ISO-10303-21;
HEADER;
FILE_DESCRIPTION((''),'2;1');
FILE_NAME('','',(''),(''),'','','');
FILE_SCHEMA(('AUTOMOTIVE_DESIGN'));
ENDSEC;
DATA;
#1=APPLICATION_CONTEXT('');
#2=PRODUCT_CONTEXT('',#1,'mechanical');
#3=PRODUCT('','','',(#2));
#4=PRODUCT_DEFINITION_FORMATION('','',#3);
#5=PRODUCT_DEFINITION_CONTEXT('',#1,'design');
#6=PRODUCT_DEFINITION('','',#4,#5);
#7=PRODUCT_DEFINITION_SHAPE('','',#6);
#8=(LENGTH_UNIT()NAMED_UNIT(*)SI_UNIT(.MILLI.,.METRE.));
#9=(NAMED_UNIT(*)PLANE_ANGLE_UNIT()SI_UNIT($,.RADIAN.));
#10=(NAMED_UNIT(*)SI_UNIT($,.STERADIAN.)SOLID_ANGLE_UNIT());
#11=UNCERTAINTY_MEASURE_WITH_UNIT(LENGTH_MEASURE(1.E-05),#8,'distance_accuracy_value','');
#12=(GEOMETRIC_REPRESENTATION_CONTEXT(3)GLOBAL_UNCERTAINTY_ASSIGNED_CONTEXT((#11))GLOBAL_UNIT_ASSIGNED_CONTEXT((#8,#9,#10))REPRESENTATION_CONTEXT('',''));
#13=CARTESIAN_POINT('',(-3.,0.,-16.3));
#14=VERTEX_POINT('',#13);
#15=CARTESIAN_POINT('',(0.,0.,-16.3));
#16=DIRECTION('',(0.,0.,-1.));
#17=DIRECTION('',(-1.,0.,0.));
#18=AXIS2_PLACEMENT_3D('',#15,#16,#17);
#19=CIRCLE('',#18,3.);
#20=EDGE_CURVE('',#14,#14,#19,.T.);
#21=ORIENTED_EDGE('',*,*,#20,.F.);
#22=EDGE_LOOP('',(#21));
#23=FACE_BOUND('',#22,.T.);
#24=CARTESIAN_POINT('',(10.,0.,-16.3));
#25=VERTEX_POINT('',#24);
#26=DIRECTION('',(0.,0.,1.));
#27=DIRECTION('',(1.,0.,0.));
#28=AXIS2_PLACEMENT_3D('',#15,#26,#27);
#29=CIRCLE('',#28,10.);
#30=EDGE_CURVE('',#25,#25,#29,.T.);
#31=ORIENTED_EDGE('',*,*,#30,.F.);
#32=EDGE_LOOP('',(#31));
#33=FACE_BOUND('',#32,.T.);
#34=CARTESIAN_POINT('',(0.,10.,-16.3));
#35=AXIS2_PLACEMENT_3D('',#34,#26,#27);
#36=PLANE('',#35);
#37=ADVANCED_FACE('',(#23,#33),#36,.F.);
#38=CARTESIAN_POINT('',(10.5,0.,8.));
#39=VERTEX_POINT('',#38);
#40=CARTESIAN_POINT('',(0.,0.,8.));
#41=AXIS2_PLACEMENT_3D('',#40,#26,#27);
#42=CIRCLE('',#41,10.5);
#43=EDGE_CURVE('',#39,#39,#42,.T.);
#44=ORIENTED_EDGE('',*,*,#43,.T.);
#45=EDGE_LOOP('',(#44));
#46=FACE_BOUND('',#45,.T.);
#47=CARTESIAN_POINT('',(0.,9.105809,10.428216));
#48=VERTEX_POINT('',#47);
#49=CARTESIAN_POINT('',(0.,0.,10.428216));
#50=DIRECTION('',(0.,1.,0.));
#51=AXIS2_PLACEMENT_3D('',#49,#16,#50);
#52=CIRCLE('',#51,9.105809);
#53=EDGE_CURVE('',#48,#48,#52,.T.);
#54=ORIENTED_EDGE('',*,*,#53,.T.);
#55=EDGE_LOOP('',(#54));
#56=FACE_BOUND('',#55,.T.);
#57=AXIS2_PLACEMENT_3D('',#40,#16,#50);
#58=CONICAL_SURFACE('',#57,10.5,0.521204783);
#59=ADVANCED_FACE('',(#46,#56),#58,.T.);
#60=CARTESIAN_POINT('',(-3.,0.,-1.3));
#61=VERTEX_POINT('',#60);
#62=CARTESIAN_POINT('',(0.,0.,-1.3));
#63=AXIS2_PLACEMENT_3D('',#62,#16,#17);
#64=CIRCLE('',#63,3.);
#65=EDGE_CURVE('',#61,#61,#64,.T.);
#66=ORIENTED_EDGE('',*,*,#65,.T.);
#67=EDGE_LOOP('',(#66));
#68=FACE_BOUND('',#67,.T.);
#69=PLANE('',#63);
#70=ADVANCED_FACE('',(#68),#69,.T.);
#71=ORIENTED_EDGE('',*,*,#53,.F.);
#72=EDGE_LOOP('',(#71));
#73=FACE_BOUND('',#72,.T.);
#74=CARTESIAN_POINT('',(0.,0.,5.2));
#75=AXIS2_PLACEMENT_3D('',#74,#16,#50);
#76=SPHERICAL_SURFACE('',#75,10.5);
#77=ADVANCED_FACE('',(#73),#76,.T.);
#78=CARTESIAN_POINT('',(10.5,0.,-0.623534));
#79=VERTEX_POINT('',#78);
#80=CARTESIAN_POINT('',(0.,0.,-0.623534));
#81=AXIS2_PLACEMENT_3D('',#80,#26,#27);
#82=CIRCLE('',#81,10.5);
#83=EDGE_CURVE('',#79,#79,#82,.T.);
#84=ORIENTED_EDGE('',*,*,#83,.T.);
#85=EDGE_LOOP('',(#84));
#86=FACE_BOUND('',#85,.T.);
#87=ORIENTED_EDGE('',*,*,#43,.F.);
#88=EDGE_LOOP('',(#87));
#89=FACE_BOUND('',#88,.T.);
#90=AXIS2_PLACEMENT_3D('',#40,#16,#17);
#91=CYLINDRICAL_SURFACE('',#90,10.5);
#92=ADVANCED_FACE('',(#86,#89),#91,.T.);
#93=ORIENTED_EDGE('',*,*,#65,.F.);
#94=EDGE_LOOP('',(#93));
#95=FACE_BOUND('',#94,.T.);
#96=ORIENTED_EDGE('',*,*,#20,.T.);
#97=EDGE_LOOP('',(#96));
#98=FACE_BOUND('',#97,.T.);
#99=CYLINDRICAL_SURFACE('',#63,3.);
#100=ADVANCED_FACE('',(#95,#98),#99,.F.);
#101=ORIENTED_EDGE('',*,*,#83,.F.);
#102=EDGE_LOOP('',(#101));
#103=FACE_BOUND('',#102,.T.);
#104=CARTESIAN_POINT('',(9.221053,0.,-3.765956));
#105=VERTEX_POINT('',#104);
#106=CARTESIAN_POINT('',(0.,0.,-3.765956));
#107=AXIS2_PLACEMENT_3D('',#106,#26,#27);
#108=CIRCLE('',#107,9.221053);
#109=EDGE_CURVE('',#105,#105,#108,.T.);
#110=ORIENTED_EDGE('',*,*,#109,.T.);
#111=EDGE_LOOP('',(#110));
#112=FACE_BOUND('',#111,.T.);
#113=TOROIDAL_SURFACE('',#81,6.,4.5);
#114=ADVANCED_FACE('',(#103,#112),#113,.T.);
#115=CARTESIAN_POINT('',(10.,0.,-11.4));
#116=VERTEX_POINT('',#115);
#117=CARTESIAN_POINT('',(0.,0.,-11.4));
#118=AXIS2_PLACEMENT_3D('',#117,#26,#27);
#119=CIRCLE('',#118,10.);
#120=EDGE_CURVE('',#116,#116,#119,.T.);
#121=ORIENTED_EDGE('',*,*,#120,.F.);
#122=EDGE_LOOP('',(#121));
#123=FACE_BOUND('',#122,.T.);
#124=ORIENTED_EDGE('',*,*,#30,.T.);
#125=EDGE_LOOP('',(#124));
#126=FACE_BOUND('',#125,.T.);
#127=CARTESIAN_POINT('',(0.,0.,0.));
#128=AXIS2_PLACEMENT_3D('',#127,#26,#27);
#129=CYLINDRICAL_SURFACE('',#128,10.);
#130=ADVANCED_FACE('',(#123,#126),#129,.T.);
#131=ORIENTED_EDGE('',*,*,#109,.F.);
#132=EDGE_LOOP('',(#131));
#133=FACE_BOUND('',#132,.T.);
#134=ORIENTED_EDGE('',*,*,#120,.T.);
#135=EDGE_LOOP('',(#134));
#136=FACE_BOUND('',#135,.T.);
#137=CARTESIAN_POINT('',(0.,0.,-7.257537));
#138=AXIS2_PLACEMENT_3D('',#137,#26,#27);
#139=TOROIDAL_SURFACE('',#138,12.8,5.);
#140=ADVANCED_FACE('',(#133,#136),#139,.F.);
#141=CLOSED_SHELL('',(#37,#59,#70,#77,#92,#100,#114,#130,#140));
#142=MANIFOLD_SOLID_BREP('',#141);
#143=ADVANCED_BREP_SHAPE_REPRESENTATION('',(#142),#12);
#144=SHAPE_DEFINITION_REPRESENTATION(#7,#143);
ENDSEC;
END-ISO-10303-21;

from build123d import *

# Parameters (mm, degrees)
CROQUIS1_R              = 10.5
SALIENTE_EXTRUIR1_DEPTH = 8
CROQUIS5_R              = 3
CORTAR_EXTRUIR1_DEPTH   = 15


with BuildPart() as part:
    # Croquis1 → Saliente-Extruir1 (new body)
    with BuildSketch(Plane.XY):
        Circle(CROQUIS1_R)
    extrude(amount=SALIENTE_EXTRUIR1_DEPTH)

    # Croquis3 → Revolución1 (revolve)
    with BuildSketch(Plane(origin=(0, 0, 0), x_dir=(0, 0, -1), z_dir=(1, 0, 0))):
        with BuildLine():
            Line((-8, 10.5), (-10.428215768, 9.105809129))
            ThreePointArc((-10.428215768, 9.105809129), (-14.286975998, 5.260880841), (-15.7, 0))
            Line((-15.7, 0), (-8, 0))
            Line((-8, 0), (-8, 10.5))
        make_face()
    revolve(axis=Axis((0, 0, 8), (0, 0, 1)))

    # Croquis4 → Revolución2 (revolve)
    with BuildSketch(Plane(origin=(0, 0, 0), x_dir=(0, 0, -1), z_dir=(1, 0, 0))):
        with BuildLine():
            Line((0, 0), (0, 10.5))
            Line((0, 10.5), (0.623533648, 10.5))
            ThreePointArc((0.623533648, 10.5), (2.319891977, 10.168017325), (3.765956272, 9.221052632))
            ThreePointArc((3.765956272, 9.221052632), (7.765081748, 7.825826873), (11.4, 10))
            Line((11.4, 10), (16.3, 10))
            Line((16.3, 10), (16.3, 0))
            Line((16.3, 0), (0, 0))
        make_face()
    revolve(axis=Axis((0, 0, 0), (0, 0, -1)))

    # Croquis5 → Cortar-Extruir1 (cut)
    with BuildSketch(Plane(origin=(0, 0, -16.3), x_dir=(-1, 0, 0), z_dir=(0, 0, -1))):
        Circle(CROQUIS5_R)
    extrude(amount=-CORTAR_EXTRUIR1_DEPTH, mode=Mode.SUBTRACT)


solid = part.part
